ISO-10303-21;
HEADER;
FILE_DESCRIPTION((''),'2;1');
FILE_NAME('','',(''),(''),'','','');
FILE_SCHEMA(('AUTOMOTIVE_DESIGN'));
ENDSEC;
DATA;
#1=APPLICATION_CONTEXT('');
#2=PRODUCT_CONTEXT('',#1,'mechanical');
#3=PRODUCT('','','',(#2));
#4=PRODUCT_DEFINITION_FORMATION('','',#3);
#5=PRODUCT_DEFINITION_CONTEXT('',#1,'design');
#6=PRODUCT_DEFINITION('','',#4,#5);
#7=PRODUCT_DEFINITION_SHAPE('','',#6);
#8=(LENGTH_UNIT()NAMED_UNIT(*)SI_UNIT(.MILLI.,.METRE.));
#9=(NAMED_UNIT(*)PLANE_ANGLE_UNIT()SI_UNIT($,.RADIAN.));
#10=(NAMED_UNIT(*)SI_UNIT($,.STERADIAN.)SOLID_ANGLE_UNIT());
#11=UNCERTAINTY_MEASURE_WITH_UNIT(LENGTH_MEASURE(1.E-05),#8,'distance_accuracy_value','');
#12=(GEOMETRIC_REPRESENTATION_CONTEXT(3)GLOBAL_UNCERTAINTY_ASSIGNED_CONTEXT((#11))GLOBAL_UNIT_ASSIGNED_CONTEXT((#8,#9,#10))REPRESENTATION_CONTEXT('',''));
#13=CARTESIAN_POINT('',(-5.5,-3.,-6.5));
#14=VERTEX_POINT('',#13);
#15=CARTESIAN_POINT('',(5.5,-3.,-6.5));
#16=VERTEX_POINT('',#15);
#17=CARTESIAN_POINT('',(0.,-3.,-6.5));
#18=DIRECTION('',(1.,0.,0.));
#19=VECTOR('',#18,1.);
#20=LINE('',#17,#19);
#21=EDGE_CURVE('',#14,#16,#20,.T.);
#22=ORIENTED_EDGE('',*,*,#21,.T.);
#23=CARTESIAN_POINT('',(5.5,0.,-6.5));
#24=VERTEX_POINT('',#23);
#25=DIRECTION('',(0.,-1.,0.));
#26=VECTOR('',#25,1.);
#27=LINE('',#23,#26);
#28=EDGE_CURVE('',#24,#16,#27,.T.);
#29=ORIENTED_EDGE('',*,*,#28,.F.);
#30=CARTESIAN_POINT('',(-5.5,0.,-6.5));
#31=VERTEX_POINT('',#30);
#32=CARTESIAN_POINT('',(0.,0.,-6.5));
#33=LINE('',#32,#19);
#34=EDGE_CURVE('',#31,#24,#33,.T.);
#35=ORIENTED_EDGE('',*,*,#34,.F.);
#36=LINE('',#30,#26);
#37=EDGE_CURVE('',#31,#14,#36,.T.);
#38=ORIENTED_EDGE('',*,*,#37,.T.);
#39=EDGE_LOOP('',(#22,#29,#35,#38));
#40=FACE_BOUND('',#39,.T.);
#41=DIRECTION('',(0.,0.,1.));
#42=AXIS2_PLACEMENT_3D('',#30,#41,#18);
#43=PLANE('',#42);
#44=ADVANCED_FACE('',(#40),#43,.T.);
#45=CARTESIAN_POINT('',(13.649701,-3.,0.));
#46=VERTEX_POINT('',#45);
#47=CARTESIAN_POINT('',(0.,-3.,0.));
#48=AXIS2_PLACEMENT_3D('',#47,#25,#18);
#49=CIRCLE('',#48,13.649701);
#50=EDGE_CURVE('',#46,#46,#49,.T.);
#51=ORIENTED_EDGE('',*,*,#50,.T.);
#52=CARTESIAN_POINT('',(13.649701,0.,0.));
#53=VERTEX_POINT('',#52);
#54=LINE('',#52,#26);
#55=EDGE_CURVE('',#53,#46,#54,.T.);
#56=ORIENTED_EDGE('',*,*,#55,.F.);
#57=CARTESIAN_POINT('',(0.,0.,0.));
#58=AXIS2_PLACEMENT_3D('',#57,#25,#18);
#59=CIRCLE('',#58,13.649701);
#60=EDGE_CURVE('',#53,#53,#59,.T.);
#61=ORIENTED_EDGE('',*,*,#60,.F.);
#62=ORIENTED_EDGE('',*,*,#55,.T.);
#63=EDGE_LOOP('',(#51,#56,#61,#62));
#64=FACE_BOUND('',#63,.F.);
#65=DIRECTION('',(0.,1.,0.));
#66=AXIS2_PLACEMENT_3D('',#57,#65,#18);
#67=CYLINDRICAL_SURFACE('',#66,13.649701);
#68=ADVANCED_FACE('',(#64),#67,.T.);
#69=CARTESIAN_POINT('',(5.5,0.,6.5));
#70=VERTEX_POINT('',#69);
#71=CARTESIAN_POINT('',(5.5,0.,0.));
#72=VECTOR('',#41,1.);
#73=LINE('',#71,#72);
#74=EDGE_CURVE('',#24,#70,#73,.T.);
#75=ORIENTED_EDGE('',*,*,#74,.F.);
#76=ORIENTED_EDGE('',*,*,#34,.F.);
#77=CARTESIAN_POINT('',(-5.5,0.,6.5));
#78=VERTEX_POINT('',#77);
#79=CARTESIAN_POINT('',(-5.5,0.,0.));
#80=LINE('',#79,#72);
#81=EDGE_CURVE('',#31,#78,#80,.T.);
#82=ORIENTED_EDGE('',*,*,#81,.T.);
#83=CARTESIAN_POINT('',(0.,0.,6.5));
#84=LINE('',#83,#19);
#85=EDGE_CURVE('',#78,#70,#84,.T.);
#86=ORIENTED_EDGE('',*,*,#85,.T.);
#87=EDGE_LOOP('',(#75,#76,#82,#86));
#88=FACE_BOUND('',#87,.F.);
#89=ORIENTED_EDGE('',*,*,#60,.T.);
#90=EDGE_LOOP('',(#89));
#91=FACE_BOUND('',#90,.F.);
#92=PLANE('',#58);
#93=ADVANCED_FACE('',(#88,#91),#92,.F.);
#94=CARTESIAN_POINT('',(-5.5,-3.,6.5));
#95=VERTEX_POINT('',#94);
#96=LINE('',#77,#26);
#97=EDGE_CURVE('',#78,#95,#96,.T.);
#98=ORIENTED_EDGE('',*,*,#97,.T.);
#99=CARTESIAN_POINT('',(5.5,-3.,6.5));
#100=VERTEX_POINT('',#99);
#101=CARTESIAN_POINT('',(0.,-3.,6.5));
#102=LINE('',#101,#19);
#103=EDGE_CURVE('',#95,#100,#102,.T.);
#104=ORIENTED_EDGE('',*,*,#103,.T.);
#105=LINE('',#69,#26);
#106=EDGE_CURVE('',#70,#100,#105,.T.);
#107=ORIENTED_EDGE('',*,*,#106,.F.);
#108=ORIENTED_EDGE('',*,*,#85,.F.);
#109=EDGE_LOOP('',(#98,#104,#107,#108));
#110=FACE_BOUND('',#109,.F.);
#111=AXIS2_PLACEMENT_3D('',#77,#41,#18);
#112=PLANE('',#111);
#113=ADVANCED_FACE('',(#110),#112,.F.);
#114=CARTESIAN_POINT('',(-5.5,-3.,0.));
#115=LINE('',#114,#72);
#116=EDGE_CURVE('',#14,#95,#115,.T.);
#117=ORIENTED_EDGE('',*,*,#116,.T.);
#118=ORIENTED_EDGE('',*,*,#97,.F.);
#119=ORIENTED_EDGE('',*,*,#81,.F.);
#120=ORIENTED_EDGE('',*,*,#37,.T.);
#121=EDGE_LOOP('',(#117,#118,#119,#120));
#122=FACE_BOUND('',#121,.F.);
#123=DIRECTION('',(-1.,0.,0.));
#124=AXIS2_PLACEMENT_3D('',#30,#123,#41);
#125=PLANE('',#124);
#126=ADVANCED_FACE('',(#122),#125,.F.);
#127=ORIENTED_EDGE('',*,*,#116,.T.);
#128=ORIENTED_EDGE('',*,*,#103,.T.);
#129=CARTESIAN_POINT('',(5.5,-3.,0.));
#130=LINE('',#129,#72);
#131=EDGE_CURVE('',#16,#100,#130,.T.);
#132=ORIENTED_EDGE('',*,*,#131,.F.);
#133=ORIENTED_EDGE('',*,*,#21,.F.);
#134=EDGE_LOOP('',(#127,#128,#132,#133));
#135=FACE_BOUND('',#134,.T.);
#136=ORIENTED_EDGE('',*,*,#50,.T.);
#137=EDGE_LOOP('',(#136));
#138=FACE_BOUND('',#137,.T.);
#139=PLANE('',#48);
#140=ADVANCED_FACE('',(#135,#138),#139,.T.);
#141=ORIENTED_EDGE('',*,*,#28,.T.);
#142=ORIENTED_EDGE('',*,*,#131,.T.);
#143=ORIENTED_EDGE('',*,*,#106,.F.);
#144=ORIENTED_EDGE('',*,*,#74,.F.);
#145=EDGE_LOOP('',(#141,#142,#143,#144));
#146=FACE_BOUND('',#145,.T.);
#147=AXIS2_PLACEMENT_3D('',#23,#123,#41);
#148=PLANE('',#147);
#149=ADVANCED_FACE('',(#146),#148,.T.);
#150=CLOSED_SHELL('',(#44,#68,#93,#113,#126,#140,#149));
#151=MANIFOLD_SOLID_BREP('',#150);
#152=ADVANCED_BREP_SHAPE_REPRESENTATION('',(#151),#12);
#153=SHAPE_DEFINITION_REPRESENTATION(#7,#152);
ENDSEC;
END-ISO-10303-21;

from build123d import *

# Parameters (mm, degrees)
F0_R     = 13.649701
F0_W     = 11
F0_H     = 13
F1_DEPTH = 3


with BuildPart() as f1:
    # F0 (on Front) → F1 (new body)
    with BuildSketch(Plane.XZ):
        Circle(F0_R)
        Rectangle(F0_W, F0_H, mode=Mode.SUBTRACT)
    extrude(amount=F1_DEPTH)


solid = f1.part
